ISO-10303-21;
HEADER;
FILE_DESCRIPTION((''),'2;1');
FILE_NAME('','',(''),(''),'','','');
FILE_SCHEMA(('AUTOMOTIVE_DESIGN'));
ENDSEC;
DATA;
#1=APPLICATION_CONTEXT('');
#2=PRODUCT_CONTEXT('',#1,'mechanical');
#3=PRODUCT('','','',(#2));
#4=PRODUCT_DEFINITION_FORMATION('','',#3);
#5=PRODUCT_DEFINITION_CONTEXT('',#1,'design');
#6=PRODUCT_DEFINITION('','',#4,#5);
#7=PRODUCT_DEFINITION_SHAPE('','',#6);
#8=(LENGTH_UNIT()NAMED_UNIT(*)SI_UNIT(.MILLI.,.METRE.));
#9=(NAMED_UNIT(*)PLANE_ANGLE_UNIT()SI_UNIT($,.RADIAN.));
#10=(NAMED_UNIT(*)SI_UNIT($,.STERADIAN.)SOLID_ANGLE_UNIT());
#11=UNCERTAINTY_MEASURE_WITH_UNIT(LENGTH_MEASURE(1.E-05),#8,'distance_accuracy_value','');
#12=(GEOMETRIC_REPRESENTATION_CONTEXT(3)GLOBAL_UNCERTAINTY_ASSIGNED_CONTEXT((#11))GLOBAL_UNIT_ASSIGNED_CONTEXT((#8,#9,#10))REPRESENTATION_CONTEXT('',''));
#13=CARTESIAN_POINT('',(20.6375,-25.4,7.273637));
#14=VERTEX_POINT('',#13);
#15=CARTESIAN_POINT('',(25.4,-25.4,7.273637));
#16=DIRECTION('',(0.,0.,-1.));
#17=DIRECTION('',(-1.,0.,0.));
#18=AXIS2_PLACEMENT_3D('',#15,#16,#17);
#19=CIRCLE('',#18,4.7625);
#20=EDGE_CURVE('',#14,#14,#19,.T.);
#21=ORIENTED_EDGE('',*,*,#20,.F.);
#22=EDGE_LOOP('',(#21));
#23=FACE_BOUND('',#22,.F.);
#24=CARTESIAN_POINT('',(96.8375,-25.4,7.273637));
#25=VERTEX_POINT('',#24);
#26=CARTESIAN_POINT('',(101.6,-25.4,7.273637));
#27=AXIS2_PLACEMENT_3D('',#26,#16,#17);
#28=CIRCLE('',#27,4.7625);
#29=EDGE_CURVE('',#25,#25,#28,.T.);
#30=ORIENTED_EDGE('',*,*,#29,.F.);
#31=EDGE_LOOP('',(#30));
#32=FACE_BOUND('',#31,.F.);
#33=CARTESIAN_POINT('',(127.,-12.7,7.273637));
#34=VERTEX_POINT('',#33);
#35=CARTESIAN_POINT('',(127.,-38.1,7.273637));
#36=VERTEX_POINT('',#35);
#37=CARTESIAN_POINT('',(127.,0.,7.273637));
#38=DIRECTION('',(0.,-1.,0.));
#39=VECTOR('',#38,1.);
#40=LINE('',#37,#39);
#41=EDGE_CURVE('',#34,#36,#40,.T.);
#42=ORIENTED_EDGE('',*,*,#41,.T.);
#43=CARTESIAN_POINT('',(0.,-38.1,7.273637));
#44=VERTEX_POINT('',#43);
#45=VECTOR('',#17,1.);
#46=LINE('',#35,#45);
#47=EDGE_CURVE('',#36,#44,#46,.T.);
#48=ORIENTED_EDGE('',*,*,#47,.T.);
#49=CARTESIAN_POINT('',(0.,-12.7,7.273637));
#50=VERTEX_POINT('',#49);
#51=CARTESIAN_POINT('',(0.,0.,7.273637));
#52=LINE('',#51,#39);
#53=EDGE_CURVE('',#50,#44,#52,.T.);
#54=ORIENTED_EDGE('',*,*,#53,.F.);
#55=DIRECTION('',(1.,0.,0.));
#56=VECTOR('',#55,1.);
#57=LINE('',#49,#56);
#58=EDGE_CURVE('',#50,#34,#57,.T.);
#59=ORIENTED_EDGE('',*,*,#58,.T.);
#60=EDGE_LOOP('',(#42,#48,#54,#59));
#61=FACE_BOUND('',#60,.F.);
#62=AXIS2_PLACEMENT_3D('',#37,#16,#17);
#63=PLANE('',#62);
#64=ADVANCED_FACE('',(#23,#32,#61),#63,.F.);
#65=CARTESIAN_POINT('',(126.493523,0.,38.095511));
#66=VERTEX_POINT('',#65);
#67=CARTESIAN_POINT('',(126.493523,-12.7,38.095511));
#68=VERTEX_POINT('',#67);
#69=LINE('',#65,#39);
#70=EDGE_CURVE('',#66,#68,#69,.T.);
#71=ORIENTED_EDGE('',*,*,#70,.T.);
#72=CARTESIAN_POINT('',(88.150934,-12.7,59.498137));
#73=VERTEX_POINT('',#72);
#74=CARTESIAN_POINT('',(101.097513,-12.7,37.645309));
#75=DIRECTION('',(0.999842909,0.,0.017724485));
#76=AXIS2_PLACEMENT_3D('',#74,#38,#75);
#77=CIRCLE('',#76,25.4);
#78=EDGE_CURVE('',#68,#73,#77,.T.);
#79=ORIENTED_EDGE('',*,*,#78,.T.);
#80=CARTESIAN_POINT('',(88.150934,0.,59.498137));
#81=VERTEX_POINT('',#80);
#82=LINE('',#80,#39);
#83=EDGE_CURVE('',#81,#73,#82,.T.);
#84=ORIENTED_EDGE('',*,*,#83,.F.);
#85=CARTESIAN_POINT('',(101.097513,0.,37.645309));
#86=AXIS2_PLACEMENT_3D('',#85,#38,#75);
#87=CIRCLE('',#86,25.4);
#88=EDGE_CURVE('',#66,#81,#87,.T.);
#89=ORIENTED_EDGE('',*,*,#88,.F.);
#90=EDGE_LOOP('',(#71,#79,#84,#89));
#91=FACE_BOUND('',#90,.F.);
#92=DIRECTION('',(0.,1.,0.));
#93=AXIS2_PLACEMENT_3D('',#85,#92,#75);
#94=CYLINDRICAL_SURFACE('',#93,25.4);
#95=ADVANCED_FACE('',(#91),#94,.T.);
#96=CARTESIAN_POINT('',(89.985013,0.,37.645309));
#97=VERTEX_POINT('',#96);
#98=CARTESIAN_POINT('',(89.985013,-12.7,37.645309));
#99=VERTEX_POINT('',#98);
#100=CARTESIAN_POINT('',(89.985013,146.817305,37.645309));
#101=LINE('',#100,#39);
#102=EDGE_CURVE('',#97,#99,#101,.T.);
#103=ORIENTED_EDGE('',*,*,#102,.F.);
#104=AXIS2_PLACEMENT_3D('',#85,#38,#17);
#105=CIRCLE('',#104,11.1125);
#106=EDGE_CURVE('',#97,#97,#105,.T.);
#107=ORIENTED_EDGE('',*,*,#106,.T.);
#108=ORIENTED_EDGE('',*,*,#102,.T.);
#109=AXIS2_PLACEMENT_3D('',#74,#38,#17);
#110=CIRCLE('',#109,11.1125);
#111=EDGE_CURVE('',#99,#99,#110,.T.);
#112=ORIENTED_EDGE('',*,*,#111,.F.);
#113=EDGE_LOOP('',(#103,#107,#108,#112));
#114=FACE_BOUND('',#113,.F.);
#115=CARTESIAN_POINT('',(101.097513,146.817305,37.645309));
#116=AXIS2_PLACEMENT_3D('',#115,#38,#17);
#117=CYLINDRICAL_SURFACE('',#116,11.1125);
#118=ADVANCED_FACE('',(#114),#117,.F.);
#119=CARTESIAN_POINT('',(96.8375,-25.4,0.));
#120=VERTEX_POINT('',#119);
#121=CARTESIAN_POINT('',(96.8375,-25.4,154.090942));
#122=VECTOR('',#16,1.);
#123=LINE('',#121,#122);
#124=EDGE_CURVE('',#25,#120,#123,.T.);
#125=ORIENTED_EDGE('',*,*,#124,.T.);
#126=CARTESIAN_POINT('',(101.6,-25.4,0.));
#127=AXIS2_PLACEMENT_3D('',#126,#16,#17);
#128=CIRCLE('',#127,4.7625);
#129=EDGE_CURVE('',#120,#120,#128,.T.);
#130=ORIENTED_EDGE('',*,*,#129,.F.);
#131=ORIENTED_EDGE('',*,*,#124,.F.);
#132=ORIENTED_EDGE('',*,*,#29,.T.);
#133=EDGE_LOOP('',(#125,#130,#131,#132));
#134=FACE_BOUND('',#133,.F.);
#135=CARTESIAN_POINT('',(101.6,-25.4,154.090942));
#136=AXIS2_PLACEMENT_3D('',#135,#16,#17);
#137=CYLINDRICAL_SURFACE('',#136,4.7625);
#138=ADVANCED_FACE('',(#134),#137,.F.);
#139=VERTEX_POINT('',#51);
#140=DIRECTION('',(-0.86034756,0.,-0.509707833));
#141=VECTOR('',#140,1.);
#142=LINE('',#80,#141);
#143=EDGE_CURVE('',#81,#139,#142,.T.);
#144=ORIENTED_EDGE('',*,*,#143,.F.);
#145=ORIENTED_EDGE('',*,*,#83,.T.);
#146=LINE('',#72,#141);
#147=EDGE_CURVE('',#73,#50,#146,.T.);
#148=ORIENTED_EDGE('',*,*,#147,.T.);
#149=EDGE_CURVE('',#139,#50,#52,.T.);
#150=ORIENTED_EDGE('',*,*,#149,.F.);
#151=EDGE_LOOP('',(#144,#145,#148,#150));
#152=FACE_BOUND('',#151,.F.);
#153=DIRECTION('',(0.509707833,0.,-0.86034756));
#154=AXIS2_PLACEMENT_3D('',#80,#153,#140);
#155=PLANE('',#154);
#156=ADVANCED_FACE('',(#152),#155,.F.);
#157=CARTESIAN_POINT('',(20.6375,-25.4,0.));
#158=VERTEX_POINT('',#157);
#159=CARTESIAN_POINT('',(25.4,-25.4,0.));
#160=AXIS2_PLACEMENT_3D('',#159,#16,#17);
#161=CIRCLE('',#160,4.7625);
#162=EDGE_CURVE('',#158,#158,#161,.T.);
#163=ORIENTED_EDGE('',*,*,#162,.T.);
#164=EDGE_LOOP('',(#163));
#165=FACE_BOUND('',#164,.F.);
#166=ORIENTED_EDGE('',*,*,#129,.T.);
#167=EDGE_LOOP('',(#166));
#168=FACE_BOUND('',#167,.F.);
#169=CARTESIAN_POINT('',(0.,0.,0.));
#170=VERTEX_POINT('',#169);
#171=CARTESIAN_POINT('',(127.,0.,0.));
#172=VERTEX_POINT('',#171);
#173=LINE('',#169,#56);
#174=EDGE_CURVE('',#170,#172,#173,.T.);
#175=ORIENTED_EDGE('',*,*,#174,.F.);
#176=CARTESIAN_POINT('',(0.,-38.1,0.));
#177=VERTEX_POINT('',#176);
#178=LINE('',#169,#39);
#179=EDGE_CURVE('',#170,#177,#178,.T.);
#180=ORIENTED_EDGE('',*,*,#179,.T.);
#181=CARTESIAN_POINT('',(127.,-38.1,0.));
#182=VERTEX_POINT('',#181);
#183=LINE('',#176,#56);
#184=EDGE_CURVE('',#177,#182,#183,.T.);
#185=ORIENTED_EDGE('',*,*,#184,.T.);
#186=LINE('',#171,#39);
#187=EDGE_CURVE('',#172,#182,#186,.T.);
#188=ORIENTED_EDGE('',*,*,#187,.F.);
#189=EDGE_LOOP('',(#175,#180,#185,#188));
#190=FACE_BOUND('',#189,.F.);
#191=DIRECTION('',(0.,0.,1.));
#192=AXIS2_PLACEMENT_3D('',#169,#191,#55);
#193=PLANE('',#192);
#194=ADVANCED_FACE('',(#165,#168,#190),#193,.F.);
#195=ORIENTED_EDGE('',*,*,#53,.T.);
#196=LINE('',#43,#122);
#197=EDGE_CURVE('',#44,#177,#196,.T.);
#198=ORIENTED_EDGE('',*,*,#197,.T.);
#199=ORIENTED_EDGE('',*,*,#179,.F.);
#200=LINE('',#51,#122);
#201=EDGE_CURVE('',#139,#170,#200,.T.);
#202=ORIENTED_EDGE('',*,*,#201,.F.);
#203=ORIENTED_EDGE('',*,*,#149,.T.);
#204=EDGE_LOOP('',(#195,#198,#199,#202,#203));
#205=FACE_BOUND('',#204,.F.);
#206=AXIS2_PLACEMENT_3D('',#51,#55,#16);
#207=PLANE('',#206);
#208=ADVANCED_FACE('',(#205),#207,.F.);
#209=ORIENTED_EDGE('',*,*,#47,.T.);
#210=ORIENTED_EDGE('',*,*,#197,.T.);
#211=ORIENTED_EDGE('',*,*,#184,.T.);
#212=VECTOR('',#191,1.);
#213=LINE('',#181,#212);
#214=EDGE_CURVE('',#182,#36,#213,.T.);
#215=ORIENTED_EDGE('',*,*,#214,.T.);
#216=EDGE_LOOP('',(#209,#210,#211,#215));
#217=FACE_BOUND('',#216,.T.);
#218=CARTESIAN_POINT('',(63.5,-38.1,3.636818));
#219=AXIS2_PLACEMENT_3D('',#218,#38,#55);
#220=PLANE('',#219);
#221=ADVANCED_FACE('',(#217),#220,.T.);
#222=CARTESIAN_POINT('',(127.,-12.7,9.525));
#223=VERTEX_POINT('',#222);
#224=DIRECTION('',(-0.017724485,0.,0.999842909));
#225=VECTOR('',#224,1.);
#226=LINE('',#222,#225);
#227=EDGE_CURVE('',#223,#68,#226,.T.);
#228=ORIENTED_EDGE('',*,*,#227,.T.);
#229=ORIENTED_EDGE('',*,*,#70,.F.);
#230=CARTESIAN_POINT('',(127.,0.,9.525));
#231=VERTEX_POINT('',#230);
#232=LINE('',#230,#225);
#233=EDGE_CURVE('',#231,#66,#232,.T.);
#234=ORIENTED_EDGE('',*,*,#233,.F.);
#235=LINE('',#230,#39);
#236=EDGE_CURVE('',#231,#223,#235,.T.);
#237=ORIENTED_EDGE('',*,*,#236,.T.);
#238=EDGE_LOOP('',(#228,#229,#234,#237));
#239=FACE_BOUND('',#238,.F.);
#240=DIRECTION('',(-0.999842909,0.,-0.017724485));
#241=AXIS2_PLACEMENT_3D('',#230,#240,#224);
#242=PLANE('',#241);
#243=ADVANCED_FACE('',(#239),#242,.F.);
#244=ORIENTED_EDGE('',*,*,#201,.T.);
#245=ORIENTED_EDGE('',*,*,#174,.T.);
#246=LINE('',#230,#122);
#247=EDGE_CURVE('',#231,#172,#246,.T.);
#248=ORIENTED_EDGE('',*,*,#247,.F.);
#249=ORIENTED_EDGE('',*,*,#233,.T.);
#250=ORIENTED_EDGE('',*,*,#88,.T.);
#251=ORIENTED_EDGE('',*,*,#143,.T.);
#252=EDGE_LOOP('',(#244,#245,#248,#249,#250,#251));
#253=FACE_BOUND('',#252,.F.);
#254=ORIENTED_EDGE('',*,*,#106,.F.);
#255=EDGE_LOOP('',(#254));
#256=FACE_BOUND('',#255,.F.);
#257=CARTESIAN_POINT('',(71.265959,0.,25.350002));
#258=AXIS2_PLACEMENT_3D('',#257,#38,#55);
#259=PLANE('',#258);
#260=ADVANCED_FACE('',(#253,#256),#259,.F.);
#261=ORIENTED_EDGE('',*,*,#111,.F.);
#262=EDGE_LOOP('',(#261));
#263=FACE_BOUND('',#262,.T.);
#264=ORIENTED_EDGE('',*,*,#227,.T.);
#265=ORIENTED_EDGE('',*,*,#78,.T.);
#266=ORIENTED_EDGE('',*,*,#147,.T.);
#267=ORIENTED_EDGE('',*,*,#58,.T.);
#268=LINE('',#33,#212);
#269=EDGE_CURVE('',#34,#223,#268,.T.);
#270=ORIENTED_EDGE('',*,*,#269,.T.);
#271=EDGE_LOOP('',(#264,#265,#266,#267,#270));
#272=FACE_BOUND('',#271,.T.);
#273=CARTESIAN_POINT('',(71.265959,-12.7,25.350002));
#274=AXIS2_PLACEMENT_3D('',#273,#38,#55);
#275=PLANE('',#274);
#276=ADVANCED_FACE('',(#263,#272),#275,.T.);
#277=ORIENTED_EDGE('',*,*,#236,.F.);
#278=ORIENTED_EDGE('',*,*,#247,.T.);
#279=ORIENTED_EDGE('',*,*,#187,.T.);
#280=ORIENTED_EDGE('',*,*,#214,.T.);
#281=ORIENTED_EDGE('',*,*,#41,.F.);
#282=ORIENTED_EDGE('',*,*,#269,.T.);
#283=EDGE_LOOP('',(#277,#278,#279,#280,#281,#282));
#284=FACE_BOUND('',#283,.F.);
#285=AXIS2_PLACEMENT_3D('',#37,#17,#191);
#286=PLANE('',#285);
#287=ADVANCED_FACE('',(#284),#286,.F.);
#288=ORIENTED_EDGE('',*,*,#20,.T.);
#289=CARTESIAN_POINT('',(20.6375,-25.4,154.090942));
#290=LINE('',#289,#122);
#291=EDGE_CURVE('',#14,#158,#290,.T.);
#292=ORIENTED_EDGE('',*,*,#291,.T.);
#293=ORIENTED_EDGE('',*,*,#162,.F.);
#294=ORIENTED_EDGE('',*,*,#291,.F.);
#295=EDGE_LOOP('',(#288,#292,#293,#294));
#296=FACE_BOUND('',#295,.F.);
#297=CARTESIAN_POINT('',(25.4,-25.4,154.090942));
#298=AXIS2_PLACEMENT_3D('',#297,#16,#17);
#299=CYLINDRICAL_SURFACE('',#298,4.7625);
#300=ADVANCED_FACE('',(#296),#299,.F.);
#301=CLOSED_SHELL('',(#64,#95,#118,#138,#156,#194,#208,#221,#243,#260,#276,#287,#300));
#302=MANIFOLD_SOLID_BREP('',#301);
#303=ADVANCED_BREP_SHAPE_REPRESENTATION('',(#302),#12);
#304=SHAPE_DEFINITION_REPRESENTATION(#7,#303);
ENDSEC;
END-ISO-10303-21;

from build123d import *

# Parameters (mm, degrees)
F1_DEPTH = 38.1
F2_DEPTH = 12.7
F3_D     = 22.225
F5_D     = 9.525


with BuildPart() as f1:
    # F0 (on Front) → F1 (new body)
    with BuildSketch(Plane.XZ):
        Polygon((0, 7.2736367583), (0, 0), (127, 0), (127, 7.2736367583), (101.6, 7.2736367583), align=None)
    extrude(amount=F1_DEPTH)

    # F0 (on Front) → F2 (join)
    with BuildSketch(Plane.XZ):
        with BuildLine():
            Line((88.1509339887, 59.4981372414), (0, 7.2736367583))
            Line((0, 7.2736367583), (101.6, 7.2736367583))
            Line((101.6, 7.2736367583), (127, 7.2736367583))
            Line((127, 7.2736367583), (127, 9.525))
            Line((127, 9.525), (126.4935228461, 38.0955111241))
            ThreePointArc((126.4935228461, 38.0955111241), (113.4775446111, 59.8240110713), (88.1509339887, 59.4981372414))
        make_face()
    extrude(amount=F2_DEPTH)

    # F3 (through all)
    with Locations(Plane(origin=(0, 0, 0), x_dir=(1, 0, 0), z_dir=(0, 1, 0))):
        with Locations((101.097512958, -37.6453092096)):
            Hole(F3_D / 2)

    # F5 (through all)
    with Locations(Plane.XY.offset(7.2736367583)):
        with Locations((25.4, -25.4), (101.6, -25.4)):
            Hole(F5_D / 2)


solid = f1.part
